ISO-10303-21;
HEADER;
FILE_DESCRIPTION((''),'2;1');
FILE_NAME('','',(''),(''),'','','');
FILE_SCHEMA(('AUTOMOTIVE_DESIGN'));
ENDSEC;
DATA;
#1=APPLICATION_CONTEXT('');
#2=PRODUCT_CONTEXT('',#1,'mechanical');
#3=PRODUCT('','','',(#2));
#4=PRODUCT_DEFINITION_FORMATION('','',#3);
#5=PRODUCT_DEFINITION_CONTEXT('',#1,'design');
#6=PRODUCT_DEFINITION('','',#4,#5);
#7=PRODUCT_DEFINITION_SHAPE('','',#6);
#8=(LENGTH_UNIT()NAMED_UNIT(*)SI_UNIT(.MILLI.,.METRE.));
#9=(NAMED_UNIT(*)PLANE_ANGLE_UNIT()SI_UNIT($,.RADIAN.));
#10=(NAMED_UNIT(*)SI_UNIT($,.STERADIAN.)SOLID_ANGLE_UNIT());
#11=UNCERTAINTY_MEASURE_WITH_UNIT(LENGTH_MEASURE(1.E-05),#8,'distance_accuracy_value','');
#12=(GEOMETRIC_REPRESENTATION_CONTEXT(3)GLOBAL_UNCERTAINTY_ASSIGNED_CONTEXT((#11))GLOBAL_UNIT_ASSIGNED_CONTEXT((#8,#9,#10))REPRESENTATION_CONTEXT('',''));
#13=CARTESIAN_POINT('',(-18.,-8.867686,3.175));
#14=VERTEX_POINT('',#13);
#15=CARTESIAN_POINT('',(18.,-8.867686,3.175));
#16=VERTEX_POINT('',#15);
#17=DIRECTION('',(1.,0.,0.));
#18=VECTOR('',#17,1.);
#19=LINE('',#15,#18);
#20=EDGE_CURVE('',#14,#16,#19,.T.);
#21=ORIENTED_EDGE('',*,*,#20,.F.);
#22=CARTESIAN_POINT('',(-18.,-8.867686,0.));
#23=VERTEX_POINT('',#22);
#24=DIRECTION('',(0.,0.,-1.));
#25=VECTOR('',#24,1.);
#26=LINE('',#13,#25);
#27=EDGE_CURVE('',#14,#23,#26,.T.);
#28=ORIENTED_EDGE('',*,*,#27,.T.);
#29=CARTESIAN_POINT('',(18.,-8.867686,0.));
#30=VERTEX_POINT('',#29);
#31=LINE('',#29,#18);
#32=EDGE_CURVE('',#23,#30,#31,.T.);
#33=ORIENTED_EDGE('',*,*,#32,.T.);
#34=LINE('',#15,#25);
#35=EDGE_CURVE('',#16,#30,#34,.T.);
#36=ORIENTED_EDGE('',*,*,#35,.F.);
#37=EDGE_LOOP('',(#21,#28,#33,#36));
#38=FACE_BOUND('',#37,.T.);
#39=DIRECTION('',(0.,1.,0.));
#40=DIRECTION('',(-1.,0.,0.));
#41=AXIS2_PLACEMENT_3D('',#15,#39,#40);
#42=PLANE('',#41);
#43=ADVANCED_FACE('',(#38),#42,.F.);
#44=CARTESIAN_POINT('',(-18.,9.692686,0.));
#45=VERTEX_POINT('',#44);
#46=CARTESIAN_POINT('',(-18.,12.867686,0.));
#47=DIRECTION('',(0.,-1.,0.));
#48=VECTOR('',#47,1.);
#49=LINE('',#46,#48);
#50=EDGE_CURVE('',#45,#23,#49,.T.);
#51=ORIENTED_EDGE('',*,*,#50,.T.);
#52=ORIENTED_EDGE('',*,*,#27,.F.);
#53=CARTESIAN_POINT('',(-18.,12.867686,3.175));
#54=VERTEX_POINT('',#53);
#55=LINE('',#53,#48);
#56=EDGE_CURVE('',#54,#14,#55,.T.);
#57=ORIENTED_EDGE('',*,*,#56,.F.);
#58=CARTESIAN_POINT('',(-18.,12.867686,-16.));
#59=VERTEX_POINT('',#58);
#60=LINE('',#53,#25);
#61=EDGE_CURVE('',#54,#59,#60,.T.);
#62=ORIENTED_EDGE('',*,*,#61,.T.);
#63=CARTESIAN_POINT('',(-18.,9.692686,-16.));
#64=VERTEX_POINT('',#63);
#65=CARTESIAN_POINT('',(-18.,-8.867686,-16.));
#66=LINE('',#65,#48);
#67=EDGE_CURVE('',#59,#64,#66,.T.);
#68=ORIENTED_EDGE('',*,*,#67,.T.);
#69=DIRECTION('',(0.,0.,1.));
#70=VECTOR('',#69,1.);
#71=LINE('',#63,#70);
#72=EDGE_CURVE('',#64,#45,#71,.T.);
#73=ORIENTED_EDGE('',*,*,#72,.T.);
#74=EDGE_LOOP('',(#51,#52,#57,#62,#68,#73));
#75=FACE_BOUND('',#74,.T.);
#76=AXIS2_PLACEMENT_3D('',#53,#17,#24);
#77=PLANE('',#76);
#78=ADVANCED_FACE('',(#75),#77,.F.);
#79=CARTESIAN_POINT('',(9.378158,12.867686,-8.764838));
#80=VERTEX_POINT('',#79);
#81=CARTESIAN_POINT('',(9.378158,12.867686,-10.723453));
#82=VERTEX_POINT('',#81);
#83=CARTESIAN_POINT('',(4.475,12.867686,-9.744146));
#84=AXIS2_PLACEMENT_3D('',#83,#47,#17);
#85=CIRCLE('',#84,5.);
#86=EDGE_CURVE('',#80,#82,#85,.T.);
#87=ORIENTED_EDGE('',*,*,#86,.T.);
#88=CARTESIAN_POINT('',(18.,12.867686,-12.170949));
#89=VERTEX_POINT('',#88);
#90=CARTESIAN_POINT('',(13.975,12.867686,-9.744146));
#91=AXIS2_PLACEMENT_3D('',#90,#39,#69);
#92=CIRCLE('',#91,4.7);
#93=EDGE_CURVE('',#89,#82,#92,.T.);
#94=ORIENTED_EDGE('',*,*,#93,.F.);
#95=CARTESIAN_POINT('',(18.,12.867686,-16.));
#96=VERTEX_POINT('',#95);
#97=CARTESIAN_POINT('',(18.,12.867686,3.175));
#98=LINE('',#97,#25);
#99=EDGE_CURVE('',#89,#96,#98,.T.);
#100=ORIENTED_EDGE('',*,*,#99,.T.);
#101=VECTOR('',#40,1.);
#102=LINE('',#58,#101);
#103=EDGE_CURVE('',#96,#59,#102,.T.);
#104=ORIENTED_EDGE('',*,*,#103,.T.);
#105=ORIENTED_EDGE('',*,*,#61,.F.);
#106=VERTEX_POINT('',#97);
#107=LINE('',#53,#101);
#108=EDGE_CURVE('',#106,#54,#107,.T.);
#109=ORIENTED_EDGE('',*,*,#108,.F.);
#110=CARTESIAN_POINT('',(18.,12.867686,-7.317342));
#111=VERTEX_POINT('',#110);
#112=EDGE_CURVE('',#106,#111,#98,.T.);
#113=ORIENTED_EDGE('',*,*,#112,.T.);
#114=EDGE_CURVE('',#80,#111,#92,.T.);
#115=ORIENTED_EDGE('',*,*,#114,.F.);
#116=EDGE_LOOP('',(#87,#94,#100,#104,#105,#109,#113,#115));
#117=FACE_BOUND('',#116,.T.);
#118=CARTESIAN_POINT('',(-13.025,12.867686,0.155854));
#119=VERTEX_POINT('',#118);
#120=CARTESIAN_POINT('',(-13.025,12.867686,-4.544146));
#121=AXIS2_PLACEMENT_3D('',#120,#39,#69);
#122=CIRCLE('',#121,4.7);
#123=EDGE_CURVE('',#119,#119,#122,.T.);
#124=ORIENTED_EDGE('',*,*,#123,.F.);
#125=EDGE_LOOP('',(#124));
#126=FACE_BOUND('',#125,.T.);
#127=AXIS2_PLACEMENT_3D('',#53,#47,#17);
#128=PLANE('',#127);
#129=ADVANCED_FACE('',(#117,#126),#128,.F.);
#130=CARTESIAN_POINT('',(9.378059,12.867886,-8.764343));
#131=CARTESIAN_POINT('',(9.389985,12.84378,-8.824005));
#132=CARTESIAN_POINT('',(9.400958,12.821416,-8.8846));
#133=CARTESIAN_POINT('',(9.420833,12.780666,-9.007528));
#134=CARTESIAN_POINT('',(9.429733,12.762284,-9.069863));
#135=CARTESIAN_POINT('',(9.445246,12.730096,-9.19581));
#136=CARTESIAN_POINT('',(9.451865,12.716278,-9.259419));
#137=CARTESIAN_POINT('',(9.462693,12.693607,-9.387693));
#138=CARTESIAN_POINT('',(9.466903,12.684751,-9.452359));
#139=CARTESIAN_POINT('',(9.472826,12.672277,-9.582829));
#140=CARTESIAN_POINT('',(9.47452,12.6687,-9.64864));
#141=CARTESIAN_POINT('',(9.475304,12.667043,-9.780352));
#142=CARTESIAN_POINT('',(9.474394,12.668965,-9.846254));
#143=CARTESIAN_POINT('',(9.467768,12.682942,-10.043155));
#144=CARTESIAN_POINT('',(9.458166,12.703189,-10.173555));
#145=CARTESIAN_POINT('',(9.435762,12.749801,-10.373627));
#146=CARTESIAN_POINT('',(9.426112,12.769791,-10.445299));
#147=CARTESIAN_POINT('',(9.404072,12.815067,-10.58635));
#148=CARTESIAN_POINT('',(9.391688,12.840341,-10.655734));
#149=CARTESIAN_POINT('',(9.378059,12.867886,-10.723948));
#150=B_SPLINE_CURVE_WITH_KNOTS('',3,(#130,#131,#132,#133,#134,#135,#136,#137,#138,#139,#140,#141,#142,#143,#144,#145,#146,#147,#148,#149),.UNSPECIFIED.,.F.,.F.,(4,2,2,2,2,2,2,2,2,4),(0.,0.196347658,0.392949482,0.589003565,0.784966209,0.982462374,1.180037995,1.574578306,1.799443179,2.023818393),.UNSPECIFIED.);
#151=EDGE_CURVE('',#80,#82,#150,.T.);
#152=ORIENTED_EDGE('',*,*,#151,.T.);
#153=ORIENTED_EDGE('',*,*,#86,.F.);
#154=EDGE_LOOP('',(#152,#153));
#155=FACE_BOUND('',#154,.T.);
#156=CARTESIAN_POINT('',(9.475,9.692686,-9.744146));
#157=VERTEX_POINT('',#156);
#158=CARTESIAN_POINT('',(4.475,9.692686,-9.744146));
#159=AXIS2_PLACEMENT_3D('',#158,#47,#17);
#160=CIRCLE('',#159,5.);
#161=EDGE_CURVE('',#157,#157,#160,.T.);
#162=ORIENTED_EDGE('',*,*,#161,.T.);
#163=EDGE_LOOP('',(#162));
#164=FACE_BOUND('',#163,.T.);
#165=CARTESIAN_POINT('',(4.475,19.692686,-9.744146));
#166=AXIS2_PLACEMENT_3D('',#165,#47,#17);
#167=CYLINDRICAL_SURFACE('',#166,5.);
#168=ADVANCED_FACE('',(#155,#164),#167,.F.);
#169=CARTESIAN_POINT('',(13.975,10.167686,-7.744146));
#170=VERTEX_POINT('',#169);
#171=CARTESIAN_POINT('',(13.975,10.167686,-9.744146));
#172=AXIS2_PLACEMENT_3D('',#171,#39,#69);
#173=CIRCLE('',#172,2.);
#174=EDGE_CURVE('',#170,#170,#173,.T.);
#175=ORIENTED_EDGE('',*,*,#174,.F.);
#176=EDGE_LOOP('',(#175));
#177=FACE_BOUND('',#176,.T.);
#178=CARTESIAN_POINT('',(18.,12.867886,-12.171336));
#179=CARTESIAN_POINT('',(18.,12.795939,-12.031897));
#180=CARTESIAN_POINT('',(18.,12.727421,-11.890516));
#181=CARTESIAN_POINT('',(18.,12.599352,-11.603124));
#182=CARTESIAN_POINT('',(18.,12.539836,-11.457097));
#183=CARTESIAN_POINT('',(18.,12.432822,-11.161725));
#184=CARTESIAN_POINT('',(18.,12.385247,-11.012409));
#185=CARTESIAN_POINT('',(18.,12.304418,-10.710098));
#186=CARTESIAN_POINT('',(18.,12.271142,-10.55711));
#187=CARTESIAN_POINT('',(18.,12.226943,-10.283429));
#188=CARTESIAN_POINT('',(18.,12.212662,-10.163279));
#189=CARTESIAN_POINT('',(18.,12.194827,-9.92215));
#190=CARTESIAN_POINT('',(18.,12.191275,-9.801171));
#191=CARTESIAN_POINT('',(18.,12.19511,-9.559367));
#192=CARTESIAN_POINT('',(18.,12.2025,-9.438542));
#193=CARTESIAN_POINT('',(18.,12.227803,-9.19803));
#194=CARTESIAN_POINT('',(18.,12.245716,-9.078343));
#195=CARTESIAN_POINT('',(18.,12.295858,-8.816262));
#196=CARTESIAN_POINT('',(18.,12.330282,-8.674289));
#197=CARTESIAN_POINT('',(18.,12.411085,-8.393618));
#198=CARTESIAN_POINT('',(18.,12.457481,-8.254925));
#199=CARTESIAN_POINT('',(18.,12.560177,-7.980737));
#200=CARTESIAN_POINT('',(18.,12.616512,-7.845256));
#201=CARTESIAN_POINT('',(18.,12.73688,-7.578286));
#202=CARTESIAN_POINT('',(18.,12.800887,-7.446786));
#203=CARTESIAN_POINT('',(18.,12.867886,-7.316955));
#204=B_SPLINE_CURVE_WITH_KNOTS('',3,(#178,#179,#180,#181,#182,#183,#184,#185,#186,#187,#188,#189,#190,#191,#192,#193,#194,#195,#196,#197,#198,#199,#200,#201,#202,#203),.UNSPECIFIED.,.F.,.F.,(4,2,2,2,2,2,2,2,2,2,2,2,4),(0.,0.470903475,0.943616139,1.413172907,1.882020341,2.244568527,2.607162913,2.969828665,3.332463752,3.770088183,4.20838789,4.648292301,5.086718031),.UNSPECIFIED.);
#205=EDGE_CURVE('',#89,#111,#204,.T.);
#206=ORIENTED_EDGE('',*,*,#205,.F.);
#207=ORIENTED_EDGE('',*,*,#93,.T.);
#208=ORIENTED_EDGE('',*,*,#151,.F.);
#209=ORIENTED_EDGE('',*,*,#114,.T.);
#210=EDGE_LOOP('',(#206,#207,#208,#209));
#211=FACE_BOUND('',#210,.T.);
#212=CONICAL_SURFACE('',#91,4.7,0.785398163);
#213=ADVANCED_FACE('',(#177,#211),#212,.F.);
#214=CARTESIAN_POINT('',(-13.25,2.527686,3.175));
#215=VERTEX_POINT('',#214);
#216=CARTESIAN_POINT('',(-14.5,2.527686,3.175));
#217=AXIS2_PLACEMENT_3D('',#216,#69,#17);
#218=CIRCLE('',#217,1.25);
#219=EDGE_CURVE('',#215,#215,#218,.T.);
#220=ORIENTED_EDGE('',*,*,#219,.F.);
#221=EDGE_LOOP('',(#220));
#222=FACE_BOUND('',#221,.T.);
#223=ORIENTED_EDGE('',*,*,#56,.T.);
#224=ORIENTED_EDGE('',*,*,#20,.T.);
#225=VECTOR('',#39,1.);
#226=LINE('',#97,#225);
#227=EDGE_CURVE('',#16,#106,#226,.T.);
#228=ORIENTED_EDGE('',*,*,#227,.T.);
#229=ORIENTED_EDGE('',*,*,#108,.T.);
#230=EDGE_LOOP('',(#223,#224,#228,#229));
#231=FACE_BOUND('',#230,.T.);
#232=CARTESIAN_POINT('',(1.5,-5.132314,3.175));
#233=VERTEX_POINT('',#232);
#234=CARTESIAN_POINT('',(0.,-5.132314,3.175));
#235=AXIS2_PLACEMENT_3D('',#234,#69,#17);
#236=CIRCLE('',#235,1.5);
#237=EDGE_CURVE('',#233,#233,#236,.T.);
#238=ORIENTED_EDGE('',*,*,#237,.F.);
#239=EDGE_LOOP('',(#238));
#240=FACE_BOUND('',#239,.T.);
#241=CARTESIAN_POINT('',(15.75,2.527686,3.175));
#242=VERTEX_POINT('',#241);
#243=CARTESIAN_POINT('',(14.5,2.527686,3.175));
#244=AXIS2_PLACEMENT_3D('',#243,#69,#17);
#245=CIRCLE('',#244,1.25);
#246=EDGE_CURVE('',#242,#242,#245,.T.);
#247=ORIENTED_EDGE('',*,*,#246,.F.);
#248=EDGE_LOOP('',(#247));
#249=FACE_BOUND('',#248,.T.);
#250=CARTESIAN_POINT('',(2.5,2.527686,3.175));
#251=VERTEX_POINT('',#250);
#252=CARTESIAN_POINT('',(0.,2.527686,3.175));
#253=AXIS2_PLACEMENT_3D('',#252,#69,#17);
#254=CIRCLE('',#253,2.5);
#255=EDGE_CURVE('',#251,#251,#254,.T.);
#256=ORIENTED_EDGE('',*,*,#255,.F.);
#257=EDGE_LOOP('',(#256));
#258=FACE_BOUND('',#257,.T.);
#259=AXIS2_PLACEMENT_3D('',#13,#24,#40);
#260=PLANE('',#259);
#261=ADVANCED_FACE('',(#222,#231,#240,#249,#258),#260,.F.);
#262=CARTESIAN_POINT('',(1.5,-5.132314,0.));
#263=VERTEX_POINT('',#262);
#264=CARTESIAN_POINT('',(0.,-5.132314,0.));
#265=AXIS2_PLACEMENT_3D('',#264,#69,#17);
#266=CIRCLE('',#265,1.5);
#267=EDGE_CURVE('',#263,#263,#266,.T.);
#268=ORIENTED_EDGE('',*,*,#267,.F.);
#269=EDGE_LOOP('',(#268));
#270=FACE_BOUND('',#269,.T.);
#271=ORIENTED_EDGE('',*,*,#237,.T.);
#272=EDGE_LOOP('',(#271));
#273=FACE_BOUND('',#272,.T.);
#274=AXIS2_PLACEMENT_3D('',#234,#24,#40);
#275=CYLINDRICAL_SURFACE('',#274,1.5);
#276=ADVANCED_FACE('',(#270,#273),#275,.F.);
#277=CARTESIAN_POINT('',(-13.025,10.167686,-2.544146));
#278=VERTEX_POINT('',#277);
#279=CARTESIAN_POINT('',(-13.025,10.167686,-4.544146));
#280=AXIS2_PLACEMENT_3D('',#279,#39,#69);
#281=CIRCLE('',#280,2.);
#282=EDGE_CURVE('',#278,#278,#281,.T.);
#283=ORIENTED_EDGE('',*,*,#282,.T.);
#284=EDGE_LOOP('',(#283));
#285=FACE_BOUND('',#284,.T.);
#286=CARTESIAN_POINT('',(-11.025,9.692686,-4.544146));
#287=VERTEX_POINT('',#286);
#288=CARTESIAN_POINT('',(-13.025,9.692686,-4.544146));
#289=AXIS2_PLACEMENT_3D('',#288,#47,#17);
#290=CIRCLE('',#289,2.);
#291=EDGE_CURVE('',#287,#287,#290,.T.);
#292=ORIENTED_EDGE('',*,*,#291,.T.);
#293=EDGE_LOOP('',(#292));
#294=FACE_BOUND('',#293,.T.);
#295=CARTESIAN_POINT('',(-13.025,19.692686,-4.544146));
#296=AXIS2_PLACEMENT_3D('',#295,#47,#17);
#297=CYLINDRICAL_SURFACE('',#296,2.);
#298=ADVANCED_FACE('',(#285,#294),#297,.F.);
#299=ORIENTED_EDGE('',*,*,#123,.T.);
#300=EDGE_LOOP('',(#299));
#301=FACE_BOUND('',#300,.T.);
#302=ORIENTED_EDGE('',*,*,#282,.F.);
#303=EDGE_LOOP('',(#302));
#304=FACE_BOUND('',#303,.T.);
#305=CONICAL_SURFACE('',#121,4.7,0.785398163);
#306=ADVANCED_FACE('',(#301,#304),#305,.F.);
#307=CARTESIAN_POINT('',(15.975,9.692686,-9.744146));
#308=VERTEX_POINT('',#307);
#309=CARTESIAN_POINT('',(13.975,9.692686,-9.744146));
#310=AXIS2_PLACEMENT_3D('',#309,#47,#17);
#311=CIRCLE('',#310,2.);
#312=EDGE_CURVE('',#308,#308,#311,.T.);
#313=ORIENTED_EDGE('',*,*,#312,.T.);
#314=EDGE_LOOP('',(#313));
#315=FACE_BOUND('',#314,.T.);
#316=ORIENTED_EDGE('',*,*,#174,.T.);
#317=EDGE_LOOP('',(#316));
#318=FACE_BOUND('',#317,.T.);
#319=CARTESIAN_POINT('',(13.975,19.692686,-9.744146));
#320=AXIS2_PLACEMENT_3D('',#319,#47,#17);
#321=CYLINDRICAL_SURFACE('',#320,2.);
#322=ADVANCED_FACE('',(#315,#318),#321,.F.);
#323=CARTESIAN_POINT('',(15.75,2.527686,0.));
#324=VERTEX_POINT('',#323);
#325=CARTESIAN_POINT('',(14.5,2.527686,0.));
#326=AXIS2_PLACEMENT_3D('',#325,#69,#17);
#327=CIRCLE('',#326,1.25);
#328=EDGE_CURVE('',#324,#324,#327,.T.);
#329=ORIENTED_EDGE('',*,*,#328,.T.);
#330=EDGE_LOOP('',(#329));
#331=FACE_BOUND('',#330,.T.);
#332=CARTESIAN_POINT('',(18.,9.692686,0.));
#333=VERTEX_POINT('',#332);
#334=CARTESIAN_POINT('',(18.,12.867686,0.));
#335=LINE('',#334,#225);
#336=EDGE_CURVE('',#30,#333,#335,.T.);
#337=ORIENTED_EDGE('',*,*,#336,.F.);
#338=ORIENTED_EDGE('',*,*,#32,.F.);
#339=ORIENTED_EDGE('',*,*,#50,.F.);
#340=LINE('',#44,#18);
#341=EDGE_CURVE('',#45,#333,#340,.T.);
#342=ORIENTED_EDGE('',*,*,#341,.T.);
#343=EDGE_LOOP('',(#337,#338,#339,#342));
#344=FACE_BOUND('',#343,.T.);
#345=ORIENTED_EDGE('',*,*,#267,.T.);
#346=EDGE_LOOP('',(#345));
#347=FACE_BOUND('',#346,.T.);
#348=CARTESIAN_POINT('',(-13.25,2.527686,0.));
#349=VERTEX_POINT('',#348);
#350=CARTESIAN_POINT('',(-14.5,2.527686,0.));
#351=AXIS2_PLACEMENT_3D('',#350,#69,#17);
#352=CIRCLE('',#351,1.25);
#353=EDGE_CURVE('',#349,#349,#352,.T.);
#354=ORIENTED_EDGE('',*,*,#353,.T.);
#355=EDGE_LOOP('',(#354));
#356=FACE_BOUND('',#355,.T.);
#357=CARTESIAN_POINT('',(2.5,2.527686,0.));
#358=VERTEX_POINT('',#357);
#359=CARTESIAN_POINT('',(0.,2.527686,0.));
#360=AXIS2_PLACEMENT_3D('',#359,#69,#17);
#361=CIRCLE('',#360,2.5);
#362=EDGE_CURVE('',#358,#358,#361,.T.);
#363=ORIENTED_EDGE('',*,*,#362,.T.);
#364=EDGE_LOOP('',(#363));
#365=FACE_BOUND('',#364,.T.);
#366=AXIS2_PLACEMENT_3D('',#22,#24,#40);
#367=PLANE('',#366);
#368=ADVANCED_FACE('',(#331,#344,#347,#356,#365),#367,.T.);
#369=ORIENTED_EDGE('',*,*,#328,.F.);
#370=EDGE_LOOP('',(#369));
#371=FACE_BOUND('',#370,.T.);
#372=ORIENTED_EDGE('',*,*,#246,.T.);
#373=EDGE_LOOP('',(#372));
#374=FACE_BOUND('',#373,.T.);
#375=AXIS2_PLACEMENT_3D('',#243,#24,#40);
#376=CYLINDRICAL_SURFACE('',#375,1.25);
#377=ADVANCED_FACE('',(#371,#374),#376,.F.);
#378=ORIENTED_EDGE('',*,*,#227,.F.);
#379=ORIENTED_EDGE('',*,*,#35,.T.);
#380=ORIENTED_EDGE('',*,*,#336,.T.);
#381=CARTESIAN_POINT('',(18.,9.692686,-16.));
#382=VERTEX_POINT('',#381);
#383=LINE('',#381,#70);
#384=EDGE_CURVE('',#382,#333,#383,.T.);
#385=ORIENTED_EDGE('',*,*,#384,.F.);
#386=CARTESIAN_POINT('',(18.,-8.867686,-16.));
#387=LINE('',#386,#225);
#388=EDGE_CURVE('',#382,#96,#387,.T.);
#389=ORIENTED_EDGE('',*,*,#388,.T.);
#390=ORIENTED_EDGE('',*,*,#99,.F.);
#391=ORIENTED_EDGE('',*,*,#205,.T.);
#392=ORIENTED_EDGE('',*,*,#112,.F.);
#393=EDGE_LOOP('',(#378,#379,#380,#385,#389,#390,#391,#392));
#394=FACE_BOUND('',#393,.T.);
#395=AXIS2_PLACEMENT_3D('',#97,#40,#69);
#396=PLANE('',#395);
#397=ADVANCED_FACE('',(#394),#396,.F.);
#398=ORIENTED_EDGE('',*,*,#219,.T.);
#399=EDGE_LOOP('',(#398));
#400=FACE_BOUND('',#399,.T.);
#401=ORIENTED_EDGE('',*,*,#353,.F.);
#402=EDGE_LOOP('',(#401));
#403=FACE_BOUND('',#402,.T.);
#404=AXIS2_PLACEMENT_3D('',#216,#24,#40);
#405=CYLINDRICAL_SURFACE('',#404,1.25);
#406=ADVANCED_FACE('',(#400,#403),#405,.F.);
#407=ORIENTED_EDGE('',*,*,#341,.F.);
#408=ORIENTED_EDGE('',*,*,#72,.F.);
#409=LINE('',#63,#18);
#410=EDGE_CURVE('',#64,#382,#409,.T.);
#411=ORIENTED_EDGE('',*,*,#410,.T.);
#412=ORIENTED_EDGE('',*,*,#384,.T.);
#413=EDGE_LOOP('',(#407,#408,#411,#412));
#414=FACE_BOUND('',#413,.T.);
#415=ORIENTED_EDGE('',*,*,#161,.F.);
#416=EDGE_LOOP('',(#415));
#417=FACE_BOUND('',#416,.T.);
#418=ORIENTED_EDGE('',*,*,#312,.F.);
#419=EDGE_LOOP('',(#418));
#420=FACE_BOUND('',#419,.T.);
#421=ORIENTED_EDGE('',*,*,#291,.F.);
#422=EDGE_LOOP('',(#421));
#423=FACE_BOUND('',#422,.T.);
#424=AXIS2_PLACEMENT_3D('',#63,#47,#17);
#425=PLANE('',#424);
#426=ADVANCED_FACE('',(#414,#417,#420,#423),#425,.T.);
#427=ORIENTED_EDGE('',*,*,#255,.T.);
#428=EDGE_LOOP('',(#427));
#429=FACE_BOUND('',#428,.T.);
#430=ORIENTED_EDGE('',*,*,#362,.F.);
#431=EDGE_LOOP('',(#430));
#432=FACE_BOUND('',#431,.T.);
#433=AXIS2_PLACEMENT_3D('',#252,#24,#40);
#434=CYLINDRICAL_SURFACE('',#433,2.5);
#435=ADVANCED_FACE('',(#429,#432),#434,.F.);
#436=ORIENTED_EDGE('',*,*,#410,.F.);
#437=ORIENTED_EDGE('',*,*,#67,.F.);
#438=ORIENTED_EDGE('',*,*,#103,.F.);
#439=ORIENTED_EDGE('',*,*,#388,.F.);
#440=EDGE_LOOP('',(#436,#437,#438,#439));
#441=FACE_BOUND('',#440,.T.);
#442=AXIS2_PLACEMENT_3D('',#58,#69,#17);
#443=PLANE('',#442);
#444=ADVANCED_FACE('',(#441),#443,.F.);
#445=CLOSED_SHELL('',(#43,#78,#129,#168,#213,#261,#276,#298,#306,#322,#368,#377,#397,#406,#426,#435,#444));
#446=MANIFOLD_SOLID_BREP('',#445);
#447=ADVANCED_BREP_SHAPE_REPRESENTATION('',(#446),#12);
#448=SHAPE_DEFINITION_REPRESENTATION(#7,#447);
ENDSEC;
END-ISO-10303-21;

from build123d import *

# Parameters (mm, degrees)
SKETCH1_W                                            = 36
SKETCH1_H                                            = 21.735371596
SKETCH1_R                                            = 1.25
SKETCH1_R_2                                          = 2.5
SKETCH1_R_3                                          = 1.5
BOSS_EXTRUDE1_DEPTH                                  = 3.175
SKETCH2_W                                            = 36
SKETCH2_H                                            = 3.175
BOSS_EXTRUDE2_DEPTH                                  = 16
SKETCH3_R                                            = 5
SKETCH3_R_2                                          = 2
CUT_EXTRUDE1_DEPTH                                   = 10
ESCAREADO_PARA_PARAFUSO_DE_M_QUINA_COM_C_D           = 4
ESCAREADO_PARA_PARAFUSO_DE_M_QUINA_COM_C_CSINK_D     = 9.4
ESCAREADO_PARA_PARAFUSO_DE_M_QUINA_COM_C_CSINK_ANGLE = 90


with BuildPart() as part:
    # Sketch1 → Boss-Extrude1 (new body)
    with BuildSketch(Plane.XY):
        with Locations((0, 2)):
            Rectangle(SKETCH1_W, SKETCH1_H)
        with Locations((-14.5, 2.527685798)):
            Circle(SKETCH1_R, mode=Mode.SUBTRACT)
        with Locations((14.5, 2.527685798)):
            Circle(SKETCH1_R, mode=Mode.SUBTRACT)
        with Locations((0, 2.527685798)):
            Circle(SKETCH1_R_2, mode=Mode.SUBTRACT)
        with Locations((0, -5.132314202)):
            Circle(SKETCH1_R_3, mode=Mode.SUBTRACT)
    extrude(amount=BOSS_EXTRUDE1_DEPTH)

    # Sketch2 → Boss-Extrude2 (add)
    with BuildSketch(Plane(origin=(0, 0, 0), x_dir=(-1, 0, 0), z_dir=(0, 0, -1))):
        with Locations((0, 11.280185798)):
            Rectangle(SKETCH2_W, SKETCH2_H)
    extrude(amount=BOSS_EXTRUDE2_DEPTH)

    # Sketch3 → Cut-Extrude1 (cut)
    with BuildSketch(Plane.XZ.offset(-9.692685798)):
        with Locations((4.475, -9.744145571)):
            Circle(SKETCH3_R)
        with Locations((-13.025, -4.544145571)):
            Circle(SKETCH3_R_2)
        with Locations((13.975, -9.744145571)):
            Circle(SKETCH3_R_2)
    extrude(amount=-CUT_EXTRUDE1_DEPTH, mode=Mode.SUBTRACT)

    # Escareado para parafuso de máquina com cabeça chata de M42 (through all)
    with Locations(Plane(origin=(0, 12.867685798, 0), x_dir=(-1, 0, 0), z_dir=(0, 1, 0))):
        with Locations((13.025, -4.544145571), (-13.975, -9.744145571)):
            CounterSinkHole(ESCAREADO_PARA_PARAFUSO_DE_M_QUINA_COM_C_D / 2, ESCAREADO_PARA_PARAFUSO_DE_M_QUINA_COM_C_CSINK_D / 2, counter_sink_angle=ESCAREADO_PARA_PARAFUSO_DE_M_QUINA_COM_C_CSINK_ANGLE)


solid = part.part
